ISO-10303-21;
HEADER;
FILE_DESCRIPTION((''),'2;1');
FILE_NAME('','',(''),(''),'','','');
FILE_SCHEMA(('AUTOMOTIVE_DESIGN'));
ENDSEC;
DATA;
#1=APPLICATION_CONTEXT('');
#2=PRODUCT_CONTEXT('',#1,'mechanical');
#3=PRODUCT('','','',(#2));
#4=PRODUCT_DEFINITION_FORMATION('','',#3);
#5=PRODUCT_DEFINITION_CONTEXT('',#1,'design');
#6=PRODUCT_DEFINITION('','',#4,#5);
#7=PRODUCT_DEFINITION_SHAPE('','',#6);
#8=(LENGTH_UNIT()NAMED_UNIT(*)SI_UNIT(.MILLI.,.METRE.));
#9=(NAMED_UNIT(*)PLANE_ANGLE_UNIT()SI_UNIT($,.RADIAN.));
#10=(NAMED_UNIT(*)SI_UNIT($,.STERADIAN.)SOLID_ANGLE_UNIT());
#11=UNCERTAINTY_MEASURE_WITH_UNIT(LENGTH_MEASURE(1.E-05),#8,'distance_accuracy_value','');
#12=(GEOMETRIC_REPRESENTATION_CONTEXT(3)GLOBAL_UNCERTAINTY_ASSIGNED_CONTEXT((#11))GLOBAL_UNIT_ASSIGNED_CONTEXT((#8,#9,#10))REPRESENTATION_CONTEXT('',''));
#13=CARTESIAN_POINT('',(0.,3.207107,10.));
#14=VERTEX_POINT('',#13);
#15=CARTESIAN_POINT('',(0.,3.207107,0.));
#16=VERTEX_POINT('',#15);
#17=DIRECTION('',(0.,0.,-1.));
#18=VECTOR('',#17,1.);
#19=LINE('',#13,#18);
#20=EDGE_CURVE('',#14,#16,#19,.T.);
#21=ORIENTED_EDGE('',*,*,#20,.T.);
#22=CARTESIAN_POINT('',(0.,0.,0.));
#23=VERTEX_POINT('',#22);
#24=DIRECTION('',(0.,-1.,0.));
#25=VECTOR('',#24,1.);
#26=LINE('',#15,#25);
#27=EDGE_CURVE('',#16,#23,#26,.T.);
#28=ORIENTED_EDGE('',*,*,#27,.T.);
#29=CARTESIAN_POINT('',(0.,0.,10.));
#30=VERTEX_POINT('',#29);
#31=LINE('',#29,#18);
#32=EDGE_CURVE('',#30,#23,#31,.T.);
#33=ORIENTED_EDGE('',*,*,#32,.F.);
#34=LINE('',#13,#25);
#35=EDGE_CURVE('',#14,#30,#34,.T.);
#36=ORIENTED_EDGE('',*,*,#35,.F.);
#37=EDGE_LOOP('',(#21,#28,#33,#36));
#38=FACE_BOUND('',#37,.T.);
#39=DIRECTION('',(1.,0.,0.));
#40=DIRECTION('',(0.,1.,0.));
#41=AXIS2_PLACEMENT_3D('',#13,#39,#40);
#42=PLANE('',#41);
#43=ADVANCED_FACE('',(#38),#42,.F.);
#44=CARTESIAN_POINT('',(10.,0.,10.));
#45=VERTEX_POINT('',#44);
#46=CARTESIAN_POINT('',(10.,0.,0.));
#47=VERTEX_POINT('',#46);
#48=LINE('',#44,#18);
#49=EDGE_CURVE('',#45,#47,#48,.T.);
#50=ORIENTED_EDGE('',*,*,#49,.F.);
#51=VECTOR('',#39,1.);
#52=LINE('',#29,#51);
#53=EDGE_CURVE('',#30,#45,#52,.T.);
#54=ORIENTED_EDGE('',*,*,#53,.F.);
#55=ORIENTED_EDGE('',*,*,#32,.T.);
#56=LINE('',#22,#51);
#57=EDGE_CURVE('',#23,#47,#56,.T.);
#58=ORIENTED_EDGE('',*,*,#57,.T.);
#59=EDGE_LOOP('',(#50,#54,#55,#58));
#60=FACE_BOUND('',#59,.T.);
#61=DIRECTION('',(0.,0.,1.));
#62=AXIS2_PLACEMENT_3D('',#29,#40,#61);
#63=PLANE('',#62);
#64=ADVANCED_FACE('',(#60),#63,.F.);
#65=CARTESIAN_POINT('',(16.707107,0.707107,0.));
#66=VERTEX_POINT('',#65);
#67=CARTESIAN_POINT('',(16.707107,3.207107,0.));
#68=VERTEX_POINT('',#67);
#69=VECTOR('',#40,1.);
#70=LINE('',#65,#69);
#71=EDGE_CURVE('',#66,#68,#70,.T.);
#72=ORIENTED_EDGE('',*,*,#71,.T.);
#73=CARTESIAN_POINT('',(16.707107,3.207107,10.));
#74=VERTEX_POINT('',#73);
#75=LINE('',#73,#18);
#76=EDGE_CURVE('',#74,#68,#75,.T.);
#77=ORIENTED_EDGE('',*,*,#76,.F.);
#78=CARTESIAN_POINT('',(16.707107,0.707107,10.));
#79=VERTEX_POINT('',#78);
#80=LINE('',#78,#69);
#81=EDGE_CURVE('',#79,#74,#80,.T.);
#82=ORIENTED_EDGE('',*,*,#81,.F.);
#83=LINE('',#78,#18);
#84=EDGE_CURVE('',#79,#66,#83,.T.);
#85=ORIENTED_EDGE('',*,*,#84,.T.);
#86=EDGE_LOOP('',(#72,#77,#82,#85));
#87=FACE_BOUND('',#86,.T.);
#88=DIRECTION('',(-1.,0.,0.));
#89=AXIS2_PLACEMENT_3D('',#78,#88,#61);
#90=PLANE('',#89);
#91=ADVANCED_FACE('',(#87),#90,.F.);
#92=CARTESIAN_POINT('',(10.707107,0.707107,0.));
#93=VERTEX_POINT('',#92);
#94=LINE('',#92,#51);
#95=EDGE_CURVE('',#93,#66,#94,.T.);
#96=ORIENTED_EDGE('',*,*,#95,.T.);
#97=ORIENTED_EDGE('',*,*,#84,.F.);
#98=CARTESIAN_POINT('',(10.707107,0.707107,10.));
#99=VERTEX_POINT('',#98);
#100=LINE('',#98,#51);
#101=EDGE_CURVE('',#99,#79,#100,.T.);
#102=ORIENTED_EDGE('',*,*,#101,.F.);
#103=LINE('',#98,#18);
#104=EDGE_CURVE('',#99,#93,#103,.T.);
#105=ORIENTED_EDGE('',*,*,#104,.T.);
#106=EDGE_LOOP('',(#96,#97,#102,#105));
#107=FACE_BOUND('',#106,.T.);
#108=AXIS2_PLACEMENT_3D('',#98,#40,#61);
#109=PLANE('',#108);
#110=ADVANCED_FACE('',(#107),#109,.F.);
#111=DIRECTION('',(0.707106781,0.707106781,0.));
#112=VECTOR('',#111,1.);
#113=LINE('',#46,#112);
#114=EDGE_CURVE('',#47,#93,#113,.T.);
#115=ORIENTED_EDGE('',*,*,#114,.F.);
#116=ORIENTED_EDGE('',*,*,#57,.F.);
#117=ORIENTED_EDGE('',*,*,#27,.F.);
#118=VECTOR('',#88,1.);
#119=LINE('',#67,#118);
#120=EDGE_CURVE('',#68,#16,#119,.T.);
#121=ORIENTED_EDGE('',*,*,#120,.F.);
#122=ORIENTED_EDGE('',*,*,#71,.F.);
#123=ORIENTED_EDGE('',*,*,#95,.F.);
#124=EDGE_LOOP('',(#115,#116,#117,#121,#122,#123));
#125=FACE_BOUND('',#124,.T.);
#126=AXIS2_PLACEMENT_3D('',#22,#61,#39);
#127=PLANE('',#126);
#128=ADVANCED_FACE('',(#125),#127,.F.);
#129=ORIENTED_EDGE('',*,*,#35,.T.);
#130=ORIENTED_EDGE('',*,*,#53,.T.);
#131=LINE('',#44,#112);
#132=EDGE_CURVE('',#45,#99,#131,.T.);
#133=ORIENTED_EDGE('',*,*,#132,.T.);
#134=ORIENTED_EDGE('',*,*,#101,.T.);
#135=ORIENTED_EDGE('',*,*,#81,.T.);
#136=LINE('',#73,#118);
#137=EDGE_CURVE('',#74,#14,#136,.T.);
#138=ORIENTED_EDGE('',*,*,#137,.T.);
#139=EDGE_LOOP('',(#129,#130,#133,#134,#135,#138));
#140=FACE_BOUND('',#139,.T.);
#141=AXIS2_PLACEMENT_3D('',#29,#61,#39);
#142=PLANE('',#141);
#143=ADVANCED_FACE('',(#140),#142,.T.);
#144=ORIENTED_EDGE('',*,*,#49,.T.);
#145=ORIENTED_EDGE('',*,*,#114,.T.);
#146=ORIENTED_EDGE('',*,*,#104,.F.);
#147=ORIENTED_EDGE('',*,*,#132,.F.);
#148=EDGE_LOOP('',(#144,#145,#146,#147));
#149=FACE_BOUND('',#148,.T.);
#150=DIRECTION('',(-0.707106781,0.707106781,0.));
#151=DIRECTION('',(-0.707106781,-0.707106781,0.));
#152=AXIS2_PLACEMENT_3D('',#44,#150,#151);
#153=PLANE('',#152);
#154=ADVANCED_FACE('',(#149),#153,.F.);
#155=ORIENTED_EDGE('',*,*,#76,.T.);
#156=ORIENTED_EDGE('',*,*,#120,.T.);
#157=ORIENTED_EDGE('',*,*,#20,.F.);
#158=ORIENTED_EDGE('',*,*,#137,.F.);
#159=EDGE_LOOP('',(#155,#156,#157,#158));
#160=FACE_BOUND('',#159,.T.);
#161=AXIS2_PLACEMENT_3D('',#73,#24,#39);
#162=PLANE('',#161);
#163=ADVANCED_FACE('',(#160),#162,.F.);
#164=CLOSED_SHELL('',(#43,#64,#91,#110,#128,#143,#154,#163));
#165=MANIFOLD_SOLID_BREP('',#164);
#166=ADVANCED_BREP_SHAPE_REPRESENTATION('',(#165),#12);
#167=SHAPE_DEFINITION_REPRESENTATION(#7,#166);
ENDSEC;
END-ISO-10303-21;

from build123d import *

# Parameters (mm, degrees)
BOSS_EXTRUDE1_DEPTH = 10


with BuildPart() as part:
    # Sketch1 → Boss-Extrude1 (new body)
    with BuildSketch(Plane.XY):
        Polygon((0, 0), (10, 0), (10.707106781, 0.707106781), (16.707106781, 0.707106781), (16.707106781, 3.207106781), (0, 3.207106781), align=None)
    extrude(amount=BOSS_EXTRUDE1_DEPTH)


solid = part.part
